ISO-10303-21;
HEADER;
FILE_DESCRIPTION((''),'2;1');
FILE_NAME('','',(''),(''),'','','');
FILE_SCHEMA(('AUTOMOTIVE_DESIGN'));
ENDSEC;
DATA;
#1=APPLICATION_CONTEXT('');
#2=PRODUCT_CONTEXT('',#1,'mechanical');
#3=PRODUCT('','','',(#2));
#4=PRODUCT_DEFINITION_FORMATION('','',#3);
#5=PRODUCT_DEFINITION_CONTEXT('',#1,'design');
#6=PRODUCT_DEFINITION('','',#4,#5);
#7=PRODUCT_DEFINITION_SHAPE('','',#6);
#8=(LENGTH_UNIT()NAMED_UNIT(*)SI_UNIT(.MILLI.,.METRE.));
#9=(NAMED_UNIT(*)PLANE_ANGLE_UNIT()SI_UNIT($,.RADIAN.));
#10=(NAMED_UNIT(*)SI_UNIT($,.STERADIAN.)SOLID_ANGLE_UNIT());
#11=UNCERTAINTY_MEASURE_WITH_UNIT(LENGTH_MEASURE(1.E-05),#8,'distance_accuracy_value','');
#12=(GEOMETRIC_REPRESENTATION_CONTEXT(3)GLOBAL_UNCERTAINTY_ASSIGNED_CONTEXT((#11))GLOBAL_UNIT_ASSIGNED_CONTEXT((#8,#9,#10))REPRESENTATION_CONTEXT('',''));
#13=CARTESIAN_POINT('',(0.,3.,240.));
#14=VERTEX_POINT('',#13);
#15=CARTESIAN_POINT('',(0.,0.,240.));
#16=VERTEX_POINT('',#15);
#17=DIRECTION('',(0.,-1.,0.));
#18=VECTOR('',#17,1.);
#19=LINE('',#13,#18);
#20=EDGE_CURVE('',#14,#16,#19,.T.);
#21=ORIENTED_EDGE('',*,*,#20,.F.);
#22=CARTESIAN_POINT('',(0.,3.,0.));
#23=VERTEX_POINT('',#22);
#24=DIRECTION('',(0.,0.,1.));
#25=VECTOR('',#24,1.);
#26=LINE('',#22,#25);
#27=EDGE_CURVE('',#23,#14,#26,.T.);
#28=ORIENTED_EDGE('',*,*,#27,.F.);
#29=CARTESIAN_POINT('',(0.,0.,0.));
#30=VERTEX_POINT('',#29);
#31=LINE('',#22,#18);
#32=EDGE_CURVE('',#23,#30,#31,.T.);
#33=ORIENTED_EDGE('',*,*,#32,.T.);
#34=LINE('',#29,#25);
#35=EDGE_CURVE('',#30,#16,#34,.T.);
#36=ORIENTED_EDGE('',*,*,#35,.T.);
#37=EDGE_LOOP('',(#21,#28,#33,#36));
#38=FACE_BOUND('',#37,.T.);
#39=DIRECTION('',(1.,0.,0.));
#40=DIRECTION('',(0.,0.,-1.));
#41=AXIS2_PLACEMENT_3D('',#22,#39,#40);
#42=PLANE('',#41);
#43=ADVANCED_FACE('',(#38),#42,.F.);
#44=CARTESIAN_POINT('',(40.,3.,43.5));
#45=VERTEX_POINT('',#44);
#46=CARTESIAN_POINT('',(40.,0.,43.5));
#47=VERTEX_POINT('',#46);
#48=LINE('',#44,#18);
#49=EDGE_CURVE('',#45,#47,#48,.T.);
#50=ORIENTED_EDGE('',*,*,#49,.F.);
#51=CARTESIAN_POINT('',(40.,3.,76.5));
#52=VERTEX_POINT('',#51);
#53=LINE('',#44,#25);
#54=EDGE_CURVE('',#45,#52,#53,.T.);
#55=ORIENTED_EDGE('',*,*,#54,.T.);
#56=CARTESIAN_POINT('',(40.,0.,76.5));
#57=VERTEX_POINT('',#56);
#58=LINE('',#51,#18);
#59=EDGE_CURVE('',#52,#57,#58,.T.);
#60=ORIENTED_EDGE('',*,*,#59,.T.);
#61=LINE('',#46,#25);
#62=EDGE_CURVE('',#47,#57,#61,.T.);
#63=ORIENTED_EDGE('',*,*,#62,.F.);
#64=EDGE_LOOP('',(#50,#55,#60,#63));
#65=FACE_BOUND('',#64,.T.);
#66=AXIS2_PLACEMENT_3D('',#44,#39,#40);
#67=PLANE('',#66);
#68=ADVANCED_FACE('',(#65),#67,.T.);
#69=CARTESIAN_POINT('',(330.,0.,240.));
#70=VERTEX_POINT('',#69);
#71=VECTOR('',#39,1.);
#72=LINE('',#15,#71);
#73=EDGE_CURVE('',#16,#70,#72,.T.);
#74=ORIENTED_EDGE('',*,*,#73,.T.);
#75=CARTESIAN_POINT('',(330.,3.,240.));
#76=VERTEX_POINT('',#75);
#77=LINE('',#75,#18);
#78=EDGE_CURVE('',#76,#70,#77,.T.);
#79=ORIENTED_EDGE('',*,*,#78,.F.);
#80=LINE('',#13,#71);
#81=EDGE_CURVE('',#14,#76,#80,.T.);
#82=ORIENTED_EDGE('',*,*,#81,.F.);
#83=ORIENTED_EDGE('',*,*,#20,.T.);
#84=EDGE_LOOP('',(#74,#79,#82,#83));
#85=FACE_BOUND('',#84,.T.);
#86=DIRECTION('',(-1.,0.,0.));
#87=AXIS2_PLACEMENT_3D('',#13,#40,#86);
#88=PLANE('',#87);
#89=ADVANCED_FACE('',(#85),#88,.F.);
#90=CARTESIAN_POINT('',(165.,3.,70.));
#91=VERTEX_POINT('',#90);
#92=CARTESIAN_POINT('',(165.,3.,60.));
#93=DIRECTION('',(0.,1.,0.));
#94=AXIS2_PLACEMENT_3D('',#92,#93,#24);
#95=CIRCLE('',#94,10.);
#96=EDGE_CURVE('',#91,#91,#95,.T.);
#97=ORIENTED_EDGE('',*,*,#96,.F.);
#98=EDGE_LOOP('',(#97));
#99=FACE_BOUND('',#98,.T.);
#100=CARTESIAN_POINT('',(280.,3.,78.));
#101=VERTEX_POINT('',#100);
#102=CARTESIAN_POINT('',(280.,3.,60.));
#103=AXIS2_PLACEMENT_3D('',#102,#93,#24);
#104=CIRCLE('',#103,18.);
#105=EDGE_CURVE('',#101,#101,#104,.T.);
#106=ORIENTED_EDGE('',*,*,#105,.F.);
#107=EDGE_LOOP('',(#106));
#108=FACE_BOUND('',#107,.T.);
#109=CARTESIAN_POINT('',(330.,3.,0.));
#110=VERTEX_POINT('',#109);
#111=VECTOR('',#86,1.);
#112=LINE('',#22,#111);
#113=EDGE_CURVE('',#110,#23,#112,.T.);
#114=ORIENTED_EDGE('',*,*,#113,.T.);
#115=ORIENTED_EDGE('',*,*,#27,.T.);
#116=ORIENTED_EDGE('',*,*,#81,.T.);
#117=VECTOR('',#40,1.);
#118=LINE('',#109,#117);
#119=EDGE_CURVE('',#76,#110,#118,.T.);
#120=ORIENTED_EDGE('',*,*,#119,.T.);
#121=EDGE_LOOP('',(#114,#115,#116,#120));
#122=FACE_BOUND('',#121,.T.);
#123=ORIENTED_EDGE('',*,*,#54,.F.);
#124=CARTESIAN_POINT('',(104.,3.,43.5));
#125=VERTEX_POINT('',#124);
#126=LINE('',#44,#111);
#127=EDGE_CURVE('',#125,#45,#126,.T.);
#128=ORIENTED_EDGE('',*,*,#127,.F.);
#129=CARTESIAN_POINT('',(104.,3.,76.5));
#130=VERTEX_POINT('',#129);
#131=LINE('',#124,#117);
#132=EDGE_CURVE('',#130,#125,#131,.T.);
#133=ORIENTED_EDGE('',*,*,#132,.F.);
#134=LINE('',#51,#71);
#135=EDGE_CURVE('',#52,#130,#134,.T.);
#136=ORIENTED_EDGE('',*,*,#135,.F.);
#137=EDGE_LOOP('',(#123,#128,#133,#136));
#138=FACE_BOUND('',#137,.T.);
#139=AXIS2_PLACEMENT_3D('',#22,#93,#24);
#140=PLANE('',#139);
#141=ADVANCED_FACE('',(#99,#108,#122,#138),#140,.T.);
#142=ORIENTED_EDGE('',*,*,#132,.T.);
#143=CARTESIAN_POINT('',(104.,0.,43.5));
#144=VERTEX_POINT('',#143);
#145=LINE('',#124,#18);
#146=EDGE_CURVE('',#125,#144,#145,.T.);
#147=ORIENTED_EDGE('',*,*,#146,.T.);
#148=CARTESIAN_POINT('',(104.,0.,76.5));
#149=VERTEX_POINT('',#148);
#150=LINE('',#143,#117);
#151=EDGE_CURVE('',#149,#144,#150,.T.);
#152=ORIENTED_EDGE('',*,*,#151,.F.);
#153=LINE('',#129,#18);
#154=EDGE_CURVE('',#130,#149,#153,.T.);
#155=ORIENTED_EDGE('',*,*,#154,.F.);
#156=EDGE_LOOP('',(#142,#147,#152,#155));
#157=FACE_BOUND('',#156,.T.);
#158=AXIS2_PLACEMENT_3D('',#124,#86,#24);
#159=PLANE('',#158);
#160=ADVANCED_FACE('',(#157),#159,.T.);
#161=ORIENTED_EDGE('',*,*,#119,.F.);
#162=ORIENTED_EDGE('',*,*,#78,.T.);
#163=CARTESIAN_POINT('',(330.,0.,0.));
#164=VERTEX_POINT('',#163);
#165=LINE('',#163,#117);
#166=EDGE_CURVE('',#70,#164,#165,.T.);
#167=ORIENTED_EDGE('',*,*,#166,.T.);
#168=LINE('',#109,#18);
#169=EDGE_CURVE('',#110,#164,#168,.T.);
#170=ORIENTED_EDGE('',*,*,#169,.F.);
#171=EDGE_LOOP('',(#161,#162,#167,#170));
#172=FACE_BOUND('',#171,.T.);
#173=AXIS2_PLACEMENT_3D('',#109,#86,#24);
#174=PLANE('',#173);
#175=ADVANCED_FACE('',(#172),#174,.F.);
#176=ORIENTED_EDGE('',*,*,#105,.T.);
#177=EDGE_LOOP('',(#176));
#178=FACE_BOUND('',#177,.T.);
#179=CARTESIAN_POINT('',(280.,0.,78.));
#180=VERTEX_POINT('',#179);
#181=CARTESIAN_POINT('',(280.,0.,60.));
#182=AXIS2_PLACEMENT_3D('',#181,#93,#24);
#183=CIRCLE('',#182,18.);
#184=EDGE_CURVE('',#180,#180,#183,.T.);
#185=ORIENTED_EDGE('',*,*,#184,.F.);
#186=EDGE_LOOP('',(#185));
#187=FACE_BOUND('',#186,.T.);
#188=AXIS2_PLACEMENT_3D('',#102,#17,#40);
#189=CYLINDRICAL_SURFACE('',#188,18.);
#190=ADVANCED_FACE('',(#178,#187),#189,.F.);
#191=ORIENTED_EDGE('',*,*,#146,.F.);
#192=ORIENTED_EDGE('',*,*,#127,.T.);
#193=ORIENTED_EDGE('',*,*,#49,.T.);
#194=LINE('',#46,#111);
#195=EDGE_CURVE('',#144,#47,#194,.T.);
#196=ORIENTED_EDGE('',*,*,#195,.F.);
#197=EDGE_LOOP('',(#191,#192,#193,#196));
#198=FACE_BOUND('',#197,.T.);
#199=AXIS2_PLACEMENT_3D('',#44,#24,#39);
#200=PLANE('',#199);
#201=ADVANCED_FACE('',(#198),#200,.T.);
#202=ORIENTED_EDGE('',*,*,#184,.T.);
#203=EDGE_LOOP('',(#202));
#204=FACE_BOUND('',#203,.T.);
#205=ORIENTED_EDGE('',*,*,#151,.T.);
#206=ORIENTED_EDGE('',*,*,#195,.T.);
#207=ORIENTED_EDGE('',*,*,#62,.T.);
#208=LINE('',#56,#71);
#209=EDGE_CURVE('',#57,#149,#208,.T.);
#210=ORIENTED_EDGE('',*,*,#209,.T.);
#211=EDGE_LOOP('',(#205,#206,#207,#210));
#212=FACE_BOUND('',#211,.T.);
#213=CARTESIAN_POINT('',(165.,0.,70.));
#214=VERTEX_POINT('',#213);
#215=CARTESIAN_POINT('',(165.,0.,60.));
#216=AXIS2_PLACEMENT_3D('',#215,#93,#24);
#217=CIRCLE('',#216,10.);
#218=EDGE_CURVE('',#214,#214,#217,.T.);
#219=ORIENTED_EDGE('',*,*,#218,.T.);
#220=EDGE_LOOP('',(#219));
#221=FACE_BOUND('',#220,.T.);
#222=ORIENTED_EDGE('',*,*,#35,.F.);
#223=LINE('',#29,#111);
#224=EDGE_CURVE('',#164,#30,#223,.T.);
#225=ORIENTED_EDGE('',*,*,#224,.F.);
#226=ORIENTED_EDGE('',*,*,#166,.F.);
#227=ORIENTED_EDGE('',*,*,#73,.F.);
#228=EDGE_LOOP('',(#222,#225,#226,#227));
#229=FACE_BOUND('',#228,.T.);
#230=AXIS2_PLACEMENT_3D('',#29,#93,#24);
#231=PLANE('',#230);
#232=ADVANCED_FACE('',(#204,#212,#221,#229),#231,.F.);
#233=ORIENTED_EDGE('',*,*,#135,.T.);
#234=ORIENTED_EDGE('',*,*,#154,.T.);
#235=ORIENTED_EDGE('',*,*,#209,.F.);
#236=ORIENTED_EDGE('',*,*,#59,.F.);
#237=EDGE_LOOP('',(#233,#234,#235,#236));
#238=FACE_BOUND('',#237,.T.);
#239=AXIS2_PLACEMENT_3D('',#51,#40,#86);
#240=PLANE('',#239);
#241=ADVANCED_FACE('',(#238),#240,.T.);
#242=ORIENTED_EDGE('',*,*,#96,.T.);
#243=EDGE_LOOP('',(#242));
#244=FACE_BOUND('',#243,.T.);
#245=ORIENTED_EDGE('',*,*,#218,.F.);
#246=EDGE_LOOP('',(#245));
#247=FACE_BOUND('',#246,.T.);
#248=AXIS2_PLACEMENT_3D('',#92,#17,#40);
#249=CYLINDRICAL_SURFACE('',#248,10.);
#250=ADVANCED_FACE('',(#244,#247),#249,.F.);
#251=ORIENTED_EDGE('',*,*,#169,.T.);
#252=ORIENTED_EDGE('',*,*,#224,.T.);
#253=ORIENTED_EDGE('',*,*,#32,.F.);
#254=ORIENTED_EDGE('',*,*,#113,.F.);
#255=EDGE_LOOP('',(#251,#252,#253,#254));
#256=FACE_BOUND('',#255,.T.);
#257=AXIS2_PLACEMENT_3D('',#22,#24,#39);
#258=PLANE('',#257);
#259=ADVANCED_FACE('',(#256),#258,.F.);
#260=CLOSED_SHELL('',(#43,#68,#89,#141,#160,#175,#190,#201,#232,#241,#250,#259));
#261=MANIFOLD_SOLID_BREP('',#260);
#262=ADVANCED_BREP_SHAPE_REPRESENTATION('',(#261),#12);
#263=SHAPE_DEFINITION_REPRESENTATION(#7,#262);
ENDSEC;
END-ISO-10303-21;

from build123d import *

# Parameters (mm, degrees)
IZIM1_W                     = 330
IZIM1_H                     = 240
IZIM1_R                     = 18
IZIM1_R_2                   = 10
IZIM1_W_2                   = 64
IZIM1_H_2                   = 33
Y_KSEKLIK_EKSTR_ZYON1_DEPTH = 3


with BuildPart() as part:
    # Çizim1 → Yükseklik-Ekstrüzyon1 (new body)
    with BuildSketch(Plane(origin=(0, 0, 0), x_dir=(1, 0, 0), z_dir=(0, 1, 0))):
        with Locations((165, -120)):
            Rectangle(IZIM1_W, IZIM1_H)
        with Locations((280, -60)):
            Circle(IZIM1_R, mode=Mode.SUBTRACT)
        with Locations((165, -60)):
            Circle(IZIM1_R_2, mode=Mode.SUBTRACT)
        with Locations((72, -60)):
            Rectangle(IZIM1_W_2, IZIM1_H_2, mode=Mode.SUBTRACT)
    extrude(amount=Y_KSEKLIK_EKSTR_ZYON1_DEPTH)


solid = part.part
